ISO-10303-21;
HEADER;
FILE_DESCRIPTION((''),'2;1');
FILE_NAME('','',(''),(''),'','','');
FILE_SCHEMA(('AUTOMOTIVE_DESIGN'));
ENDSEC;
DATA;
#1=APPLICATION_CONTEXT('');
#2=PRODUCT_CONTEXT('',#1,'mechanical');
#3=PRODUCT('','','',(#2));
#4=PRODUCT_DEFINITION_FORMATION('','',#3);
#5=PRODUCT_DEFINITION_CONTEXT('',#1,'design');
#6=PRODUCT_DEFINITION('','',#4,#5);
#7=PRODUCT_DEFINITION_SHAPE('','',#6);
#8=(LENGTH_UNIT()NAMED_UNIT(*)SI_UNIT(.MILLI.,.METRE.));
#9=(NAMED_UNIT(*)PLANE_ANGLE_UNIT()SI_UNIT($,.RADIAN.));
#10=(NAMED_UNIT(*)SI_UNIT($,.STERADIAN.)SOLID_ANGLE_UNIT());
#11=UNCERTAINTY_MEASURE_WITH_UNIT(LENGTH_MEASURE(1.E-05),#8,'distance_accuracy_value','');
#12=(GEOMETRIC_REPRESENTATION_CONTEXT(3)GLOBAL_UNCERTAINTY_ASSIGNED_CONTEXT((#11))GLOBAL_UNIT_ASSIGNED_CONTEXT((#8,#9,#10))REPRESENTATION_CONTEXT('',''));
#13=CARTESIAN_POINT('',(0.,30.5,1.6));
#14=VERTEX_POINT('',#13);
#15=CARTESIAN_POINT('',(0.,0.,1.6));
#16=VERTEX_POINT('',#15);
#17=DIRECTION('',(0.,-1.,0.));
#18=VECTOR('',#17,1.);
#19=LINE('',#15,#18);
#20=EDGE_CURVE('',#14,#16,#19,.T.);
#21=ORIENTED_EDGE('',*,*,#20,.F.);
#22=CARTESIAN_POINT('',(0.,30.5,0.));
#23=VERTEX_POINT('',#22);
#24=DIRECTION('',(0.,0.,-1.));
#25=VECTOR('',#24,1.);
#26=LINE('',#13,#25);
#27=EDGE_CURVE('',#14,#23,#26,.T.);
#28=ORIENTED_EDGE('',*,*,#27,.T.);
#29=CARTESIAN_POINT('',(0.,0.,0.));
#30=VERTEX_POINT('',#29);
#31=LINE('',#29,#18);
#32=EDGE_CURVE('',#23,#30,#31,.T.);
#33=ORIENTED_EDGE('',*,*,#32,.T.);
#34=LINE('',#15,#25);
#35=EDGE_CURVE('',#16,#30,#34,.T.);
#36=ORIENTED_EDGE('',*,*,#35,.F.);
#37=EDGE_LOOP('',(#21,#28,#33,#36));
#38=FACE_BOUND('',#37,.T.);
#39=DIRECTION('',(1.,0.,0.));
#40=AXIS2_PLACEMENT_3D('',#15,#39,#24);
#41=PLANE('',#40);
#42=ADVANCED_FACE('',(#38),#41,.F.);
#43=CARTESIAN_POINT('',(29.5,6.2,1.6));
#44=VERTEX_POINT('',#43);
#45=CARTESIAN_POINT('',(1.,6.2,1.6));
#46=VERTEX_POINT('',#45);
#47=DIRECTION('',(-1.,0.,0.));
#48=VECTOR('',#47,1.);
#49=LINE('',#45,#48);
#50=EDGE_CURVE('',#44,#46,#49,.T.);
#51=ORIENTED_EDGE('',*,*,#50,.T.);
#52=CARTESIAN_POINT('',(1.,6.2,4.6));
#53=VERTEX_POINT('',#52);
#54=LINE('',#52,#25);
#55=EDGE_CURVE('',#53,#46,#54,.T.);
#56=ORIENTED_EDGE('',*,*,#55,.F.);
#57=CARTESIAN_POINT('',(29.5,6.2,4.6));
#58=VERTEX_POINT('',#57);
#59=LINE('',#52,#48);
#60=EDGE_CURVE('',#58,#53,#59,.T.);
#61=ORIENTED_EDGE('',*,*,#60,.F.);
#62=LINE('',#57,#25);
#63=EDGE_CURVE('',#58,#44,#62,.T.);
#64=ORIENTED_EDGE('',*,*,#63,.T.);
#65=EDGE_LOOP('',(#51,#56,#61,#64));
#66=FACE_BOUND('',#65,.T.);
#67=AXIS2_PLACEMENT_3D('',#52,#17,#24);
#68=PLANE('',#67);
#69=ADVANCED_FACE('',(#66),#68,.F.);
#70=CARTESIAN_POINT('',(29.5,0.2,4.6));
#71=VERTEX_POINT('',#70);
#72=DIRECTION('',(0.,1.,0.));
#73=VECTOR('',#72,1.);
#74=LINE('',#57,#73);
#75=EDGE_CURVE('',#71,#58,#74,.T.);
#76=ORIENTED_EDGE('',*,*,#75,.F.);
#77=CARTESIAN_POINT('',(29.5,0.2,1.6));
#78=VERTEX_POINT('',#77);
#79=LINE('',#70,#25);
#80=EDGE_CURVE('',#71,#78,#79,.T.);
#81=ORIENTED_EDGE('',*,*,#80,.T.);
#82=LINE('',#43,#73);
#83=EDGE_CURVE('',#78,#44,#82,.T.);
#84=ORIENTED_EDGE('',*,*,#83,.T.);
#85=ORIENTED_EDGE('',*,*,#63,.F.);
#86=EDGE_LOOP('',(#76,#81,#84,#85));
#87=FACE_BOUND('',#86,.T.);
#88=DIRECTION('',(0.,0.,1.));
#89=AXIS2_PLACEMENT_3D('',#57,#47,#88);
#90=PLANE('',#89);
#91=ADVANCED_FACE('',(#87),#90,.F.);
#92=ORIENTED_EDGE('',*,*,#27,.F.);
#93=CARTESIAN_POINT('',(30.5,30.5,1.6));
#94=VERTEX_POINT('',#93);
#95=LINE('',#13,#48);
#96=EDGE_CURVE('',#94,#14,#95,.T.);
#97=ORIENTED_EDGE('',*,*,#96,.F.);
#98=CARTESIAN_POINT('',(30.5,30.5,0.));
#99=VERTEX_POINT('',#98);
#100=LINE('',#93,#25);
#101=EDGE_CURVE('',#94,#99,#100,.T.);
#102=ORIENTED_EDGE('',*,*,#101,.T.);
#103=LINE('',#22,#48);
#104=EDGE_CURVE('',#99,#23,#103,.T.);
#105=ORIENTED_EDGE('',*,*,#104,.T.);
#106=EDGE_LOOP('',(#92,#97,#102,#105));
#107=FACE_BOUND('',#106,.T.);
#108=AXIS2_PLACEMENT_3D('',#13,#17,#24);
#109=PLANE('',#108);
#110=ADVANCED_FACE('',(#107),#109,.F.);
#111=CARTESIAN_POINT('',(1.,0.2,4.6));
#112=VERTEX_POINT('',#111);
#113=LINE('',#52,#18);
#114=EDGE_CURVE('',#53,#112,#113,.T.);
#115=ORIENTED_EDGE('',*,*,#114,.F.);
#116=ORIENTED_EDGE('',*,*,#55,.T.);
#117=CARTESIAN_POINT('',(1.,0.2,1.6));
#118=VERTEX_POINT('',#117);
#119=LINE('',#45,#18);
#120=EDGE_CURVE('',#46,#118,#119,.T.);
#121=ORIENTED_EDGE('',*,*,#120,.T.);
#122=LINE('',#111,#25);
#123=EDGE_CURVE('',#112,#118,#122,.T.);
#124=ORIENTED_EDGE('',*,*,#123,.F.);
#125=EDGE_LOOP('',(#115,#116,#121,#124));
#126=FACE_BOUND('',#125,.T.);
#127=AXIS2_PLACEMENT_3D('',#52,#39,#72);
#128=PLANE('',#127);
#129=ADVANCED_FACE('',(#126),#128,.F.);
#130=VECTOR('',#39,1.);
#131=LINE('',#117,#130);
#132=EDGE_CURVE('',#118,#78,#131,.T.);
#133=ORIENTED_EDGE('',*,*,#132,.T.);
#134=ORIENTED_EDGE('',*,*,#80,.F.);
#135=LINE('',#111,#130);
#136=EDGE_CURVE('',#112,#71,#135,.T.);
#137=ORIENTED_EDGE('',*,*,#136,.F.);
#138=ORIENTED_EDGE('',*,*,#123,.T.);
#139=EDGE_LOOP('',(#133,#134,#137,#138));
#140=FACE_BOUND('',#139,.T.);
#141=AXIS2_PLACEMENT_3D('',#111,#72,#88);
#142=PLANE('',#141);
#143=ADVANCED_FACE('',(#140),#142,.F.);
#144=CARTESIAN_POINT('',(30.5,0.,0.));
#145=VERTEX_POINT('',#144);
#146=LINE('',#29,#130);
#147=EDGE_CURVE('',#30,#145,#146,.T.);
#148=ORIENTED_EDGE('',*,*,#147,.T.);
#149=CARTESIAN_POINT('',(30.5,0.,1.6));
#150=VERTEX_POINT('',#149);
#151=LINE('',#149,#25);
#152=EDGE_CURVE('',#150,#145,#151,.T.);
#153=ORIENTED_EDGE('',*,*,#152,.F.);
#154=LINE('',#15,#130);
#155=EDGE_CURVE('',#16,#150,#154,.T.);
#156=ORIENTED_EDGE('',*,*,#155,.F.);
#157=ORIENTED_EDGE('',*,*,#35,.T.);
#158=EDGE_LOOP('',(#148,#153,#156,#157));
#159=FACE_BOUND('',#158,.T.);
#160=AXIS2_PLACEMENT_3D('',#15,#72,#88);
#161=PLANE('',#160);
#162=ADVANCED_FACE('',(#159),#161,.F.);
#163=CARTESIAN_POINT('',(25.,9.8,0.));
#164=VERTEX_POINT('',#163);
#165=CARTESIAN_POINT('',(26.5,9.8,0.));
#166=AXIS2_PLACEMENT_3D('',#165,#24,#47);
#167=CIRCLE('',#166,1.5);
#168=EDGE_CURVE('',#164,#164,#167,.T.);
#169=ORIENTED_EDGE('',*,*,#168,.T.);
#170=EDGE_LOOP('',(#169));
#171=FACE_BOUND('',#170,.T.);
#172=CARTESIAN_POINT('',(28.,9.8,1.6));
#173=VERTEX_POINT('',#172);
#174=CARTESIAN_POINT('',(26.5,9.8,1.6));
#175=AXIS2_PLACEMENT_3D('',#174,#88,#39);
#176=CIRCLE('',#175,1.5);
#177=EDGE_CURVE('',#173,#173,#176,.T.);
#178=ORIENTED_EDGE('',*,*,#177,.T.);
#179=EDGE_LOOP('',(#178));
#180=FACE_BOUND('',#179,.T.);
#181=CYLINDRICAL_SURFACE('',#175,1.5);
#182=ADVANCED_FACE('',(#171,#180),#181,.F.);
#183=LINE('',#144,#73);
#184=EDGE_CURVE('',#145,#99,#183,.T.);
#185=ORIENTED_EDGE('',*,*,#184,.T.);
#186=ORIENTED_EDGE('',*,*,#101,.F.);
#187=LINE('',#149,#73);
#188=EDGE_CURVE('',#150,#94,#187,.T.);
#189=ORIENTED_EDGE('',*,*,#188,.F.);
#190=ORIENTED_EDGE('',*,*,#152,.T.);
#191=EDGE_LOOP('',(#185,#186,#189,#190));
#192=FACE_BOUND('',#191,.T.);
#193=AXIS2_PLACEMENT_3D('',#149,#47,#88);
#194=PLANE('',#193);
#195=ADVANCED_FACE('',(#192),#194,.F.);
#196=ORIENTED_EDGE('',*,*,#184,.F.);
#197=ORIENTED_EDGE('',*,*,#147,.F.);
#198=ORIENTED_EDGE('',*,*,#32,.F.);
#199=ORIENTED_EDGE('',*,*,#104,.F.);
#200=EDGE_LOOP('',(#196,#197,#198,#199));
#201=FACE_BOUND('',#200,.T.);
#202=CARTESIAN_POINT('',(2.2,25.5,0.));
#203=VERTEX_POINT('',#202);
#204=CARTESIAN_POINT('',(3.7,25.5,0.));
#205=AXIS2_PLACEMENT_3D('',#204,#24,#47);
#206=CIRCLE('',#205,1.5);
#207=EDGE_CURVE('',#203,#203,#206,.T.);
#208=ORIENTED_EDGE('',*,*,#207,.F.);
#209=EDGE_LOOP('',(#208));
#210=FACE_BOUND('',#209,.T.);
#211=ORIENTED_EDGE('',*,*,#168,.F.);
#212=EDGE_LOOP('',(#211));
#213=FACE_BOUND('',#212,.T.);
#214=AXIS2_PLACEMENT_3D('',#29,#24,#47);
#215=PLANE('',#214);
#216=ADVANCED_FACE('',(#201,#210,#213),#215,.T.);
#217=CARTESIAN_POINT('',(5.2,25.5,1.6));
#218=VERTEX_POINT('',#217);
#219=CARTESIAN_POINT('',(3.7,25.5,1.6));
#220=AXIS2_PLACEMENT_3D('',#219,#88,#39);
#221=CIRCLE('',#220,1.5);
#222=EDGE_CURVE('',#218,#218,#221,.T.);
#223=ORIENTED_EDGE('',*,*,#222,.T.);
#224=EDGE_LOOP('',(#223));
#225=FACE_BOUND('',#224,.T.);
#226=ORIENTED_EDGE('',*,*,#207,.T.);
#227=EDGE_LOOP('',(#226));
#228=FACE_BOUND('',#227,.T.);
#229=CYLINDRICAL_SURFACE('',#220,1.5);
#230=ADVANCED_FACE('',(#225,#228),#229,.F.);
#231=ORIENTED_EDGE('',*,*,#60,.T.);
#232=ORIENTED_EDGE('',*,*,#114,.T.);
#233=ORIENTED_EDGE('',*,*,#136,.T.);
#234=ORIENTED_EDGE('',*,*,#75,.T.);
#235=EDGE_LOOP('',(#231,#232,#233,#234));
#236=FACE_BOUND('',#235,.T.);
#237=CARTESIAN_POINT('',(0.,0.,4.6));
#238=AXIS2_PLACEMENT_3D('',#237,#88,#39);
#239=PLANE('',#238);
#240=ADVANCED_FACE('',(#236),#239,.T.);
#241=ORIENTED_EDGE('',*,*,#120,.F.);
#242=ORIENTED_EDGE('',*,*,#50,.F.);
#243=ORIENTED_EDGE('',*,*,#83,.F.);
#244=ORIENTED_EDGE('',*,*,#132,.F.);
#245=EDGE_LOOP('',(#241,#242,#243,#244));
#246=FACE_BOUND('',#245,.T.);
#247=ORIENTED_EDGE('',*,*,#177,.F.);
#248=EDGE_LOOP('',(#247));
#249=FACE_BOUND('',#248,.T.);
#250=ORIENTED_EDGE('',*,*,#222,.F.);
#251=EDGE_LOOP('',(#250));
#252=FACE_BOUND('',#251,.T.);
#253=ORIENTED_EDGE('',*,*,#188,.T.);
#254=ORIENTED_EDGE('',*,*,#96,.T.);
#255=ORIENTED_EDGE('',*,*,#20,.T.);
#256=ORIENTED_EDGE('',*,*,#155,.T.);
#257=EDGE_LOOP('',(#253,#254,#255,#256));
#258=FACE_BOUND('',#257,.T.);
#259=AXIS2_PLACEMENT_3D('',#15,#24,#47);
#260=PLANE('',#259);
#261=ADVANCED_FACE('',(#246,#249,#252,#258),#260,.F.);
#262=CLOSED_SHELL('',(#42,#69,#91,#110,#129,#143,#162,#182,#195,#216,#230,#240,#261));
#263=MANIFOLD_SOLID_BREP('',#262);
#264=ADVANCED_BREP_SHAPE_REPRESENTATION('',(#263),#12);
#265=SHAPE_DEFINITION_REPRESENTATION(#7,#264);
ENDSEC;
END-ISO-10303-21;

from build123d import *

# Parameters (mm, degrees)
SKETCH1_W             = 30.5
SKETCH1_H             = 30.5
BOSS_EXTRUDE1_DEPTH   = 1.6
F_3_0MM_DOWEL_HOLE1_D = 3
SKETCH4_W             = 28.5
SKETCH4_H             = 6
BOSS_EXTRUDE2_DEPTH   = 3


with BuildPart() as part:
    # Sketch1 → Boss-Extrude1 (new body)
    with BuildSketch(Plane.XY):
        with Locations((15.25, 15.25)):
            Rectangle(SKETCH1_W, SKETCH1_H)
    extrude(amount=BOSS_EXTRUDE1_DEPTH)

    # Ø3.0mm Dowel Hole1 (through all)
    with Locations(Plane.XY.offset(1.6)):
        with Locations((3.7, 25.5), (26.5, 9.8)):
            Hole(F_3_0MM_DOWEL_HOLE1_D / 2)

    # Sketch4 → Boss-Extrude2 (add)
    with BuildSketch(Plane.XY.offset(1.6)):
        with Locations((15.25, 3.2)):
            Rectangle(SKETCH4_W, SKETCH4_H)
    extrude(amount=BOSS_EXTRUDE2_DEPTH)


solid = part.part
